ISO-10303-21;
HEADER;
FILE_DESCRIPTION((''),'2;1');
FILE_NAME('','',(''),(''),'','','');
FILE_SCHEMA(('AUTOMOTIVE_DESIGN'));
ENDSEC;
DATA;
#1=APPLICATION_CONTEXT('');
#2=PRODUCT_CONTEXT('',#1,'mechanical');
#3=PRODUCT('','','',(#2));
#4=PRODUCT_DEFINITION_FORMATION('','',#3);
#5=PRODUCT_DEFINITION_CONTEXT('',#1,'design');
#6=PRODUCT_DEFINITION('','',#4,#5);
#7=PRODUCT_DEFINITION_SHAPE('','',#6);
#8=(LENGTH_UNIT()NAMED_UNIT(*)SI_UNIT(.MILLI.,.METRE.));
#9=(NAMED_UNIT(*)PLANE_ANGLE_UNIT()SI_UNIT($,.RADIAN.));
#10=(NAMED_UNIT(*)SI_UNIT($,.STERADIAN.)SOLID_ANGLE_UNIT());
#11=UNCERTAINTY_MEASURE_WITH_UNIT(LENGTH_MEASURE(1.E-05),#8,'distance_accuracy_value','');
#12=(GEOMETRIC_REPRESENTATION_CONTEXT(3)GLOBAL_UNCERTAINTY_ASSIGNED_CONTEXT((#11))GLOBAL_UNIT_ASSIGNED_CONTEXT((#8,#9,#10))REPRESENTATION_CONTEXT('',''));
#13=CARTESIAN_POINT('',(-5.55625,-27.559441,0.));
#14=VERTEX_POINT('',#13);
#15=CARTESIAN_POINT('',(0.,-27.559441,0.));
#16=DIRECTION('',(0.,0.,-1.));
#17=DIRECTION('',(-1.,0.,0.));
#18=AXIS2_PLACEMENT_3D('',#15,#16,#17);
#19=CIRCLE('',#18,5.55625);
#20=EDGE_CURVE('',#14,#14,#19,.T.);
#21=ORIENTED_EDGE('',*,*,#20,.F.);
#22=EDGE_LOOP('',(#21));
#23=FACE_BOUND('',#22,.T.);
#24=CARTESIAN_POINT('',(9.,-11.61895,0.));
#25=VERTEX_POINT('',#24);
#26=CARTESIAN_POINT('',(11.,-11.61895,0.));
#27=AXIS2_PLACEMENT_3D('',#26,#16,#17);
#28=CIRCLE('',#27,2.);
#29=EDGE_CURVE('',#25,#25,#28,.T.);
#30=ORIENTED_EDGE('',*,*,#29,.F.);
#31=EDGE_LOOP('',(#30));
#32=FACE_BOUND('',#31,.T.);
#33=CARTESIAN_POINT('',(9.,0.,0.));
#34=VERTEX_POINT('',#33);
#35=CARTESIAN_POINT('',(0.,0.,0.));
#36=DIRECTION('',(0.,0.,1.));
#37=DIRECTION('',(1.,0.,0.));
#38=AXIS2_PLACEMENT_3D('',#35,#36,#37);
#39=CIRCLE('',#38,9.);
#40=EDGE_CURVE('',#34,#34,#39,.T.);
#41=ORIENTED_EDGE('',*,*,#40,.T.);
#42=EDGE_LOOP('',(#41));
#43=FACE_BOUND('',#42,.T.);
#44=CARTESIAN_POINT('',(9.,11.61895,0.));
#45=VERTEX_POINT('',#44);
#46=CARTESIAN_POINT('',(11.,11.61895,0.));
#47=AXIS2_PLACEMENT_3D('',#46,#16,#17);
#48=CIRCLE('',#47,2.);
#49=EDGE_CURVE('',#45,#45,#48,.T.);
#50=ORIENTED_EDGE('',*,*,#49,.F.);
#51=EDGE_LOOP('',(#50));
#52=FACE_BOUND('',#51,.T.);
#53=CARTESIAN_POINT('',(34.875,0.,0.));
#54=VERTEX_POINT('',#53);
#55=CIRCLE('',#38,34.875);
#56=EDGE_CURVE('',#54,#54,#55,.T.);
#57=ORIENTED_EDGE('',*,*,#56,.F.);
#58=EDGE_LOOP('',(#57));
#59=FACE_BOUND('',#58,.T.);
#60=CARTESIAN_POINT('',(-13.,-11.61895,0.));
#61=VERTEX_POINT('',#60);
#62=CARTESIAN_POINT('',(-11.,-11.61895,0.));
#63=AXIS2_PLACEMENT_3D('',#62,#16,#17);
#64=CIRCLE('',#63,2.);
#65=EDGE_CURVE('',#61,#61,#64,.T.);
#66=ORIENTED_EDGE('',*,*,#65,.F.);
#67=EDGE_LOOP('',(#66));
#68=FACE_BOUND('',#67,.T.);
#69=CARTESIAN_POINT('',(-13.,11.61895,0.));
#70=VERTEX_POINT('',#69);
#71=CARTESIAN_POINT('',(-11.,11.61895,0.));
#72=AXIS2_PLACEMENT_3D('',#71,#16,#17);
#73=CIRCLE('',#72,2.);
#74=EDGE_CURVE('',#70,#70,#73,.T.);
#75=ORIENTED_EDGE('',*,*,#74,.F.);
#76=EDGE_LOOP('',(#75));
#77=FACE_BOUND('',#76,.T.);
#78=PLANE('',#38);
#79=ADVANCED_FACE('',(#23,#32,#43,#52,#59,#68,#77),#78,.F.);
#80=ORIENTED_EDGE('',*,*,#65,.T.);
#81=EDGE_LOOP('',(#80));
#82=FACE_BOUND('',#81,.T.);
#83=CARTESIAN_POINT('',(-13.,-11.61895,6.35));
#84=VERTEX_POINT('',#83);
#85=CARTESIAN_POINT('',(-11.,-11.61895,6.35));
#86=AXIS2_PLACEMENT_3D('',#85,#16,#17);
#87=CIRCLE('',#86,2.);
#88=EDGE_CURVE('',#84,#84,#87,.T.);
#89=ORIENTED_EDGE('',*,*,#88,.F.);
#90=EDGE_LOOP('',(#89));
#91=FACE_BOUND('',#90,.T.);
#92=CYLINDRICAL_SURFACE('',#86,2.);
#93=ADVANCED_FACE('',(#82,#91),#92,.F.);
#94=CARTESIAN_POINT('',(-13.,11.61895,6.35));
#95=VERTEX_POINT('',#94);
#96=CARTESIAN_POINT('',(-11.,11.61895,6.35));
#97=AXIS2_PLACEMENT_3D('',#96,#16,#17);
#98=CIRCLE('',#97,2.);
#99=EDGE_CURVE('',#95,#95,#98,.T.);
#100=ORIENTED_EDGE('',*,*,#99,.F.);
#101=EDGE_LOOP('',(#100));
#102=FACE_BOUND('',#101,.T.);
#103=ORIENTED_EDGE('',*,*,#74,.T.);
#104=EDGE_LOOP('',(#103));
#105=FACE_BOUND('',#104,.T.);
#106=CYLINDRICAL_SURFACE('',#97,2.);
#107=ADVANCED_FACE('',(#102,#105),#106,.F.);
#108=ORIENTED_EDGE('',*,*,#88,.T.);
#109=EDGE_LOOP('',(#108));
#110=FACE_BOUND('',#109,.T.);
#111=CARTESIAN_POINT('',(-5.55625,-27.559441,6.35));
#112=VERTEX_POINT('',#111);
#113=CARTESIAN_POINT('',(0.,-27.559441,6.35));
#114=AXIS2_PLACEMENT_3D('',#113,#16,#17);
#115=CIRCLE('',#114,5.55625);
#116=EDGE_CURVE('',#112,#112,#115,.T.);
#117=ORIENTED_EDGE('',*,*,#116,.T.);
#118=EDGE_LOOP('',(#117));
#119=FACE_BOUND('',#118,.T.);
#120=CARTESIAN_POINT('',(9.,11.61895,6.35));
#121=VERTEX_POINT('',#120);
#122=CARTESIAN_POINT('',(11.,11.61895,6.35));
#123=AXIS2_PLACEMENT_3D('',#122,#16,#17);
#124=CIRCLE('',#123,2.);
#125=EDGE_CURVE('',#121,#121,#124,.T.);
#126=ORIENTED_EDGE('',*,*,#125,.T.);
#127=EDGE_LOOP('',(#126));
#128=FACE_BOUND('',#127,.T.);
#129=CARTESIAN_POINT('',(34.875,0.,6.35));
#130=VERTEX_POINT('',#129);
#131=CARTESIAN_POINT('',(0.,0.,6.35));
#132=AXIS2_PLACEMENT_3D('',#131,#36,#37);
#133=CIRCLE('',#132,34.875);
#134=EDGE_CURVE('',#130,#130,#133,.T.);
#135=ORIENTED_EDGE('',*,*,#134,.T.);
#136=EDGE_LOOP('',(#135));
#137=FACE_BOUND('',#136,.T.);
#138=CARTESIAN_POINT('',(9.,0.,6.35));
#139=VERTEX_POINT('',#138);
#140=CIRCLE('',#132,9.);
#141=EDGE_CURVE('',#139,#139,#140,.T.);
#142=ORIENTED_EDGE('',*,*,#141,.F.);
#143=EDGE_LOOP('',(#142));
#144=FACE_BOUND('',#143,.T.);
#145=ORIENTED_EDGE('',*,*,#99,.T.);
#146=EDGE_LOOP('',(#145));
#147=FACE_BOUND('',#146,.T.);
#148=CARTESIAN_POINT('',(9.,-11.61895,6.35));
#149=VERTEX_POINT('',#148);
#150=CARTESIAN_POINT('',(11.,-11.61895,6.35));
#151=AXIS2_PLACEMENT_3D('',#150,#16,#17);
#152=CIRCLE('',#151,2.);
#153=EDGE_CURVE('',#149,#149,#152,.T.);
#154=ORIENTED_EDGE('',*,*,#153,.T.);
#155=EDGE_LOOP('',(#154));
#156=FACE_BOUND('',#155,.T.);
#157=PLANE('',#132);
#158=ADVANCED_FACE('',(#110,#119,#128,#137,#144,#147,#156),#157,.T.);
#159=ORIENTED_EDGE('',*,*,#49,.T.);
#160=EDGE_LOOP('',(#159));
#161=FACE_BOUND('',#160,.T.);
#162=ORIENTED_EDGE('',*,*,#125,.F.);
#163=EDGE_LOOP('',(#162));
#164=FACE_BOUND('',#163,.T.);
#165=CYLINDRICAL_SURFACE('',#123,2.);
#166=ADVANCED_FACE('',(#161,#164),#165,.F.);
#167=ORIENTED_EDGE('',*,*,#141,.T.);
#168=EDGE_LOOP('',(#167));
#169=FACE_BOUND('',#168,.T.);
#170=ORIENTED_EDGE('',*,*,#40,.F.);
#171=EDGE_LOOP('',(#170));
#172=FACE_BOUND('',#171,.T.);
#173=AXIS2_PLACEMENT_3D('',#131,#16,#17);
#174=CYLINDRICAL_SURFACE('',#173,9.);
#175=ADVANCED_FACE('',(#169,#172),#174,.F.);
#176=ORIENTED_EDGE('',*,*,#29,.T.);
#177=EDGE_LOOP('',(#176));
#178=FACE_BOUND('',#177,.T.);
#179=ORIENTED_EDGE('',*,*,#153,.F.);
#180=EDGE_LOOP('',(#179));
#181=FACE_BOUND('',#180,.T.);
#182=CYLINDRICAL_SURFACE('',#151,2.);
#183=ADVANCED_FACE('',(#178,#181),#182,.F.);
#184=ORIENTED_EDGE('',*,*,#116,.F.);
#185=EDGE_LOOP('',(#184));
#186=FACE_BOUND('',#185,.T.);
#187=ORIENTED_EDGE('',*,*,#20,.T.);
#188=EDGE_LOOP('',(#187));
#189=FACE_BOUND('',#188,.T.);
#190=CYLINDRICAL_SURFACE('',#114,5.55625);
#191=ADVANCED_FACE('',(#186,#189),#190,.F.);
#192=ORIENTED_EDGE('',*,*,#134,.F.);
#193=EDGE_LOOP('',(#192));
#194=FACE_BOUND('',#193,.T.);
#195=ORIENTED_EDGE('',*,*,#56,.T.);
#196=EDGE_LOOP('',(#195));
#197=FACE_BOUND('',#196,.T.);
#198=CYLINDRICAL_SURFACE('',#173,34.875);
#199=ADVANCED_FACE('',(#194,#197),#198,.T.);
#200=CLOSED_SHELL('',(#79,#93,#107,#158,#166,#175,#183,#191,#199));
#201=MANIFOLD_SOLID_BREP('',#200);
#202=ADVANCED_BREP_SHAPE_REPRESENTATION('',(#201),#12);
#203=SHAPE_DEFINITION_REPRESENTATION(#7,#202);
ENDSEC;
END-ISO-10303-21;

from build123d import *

# Parameters (mm, degrees)
SKETCH1_R           = 34.875
SKETCH1_R_2         = 9
BOSS_EXTRUDE1_DEPTH = 6.35
SKETCH2_R           = 2
CUT_EXTRUDE1_DEPTH  = 7.35
SKETCH3_R           = 5.55625
CUT_EXTRUDE2_DEPTH  = 7.35


with BuildPart() as part:
    # Sketch1 → Boss-Extrude1 (new body)
    with BuildSketch(Plane.XY):
        Circle(SKETCH1_R)
        Circle(SKETCH1_R_2, mode=Mode.SUBTRACT)
    extrude(amount=BOSS_EXTRUDE1_DEPTH)

    # Sketch2 → Cut-Extrude1 (cut, through all)
    with BuildSketch(Plane(origin=(0, 0, 0), x_dir=(-1, 0, 0), z_dir=(0, 0, -1))):
        with Locations((-11, 11.618950039)):
            Circle(SKETCH2_R)
        with Locations((11, 11.618950039)):
            Circle(SKETCH2_R)
        with Locations((11, -11.618950039)):
            Circle(SKETCH2_R)
        with Locations((-11, -11.618950039)):
            Circle(SKETCH2_R)
    extrude(amount=-CUT_EXTRUDE1_DEPTH, mode=Mode.SUBTRACT)

    # Sketch3 → Cut-Extrude2 (cut, through all)
    with BuildSketch(Plane(origin=(0, 0, 0), x_dir=(-1, 0, 0), z_dir=(0, 0, -1))):
        with Locations((0, -27.559440888)):
            Circle(SKETCH3_R)
    extrude(amount=-CUT_EXTRUDE2_DEPTH, mode=Mode.SUBTRACT)


solid = part.part
